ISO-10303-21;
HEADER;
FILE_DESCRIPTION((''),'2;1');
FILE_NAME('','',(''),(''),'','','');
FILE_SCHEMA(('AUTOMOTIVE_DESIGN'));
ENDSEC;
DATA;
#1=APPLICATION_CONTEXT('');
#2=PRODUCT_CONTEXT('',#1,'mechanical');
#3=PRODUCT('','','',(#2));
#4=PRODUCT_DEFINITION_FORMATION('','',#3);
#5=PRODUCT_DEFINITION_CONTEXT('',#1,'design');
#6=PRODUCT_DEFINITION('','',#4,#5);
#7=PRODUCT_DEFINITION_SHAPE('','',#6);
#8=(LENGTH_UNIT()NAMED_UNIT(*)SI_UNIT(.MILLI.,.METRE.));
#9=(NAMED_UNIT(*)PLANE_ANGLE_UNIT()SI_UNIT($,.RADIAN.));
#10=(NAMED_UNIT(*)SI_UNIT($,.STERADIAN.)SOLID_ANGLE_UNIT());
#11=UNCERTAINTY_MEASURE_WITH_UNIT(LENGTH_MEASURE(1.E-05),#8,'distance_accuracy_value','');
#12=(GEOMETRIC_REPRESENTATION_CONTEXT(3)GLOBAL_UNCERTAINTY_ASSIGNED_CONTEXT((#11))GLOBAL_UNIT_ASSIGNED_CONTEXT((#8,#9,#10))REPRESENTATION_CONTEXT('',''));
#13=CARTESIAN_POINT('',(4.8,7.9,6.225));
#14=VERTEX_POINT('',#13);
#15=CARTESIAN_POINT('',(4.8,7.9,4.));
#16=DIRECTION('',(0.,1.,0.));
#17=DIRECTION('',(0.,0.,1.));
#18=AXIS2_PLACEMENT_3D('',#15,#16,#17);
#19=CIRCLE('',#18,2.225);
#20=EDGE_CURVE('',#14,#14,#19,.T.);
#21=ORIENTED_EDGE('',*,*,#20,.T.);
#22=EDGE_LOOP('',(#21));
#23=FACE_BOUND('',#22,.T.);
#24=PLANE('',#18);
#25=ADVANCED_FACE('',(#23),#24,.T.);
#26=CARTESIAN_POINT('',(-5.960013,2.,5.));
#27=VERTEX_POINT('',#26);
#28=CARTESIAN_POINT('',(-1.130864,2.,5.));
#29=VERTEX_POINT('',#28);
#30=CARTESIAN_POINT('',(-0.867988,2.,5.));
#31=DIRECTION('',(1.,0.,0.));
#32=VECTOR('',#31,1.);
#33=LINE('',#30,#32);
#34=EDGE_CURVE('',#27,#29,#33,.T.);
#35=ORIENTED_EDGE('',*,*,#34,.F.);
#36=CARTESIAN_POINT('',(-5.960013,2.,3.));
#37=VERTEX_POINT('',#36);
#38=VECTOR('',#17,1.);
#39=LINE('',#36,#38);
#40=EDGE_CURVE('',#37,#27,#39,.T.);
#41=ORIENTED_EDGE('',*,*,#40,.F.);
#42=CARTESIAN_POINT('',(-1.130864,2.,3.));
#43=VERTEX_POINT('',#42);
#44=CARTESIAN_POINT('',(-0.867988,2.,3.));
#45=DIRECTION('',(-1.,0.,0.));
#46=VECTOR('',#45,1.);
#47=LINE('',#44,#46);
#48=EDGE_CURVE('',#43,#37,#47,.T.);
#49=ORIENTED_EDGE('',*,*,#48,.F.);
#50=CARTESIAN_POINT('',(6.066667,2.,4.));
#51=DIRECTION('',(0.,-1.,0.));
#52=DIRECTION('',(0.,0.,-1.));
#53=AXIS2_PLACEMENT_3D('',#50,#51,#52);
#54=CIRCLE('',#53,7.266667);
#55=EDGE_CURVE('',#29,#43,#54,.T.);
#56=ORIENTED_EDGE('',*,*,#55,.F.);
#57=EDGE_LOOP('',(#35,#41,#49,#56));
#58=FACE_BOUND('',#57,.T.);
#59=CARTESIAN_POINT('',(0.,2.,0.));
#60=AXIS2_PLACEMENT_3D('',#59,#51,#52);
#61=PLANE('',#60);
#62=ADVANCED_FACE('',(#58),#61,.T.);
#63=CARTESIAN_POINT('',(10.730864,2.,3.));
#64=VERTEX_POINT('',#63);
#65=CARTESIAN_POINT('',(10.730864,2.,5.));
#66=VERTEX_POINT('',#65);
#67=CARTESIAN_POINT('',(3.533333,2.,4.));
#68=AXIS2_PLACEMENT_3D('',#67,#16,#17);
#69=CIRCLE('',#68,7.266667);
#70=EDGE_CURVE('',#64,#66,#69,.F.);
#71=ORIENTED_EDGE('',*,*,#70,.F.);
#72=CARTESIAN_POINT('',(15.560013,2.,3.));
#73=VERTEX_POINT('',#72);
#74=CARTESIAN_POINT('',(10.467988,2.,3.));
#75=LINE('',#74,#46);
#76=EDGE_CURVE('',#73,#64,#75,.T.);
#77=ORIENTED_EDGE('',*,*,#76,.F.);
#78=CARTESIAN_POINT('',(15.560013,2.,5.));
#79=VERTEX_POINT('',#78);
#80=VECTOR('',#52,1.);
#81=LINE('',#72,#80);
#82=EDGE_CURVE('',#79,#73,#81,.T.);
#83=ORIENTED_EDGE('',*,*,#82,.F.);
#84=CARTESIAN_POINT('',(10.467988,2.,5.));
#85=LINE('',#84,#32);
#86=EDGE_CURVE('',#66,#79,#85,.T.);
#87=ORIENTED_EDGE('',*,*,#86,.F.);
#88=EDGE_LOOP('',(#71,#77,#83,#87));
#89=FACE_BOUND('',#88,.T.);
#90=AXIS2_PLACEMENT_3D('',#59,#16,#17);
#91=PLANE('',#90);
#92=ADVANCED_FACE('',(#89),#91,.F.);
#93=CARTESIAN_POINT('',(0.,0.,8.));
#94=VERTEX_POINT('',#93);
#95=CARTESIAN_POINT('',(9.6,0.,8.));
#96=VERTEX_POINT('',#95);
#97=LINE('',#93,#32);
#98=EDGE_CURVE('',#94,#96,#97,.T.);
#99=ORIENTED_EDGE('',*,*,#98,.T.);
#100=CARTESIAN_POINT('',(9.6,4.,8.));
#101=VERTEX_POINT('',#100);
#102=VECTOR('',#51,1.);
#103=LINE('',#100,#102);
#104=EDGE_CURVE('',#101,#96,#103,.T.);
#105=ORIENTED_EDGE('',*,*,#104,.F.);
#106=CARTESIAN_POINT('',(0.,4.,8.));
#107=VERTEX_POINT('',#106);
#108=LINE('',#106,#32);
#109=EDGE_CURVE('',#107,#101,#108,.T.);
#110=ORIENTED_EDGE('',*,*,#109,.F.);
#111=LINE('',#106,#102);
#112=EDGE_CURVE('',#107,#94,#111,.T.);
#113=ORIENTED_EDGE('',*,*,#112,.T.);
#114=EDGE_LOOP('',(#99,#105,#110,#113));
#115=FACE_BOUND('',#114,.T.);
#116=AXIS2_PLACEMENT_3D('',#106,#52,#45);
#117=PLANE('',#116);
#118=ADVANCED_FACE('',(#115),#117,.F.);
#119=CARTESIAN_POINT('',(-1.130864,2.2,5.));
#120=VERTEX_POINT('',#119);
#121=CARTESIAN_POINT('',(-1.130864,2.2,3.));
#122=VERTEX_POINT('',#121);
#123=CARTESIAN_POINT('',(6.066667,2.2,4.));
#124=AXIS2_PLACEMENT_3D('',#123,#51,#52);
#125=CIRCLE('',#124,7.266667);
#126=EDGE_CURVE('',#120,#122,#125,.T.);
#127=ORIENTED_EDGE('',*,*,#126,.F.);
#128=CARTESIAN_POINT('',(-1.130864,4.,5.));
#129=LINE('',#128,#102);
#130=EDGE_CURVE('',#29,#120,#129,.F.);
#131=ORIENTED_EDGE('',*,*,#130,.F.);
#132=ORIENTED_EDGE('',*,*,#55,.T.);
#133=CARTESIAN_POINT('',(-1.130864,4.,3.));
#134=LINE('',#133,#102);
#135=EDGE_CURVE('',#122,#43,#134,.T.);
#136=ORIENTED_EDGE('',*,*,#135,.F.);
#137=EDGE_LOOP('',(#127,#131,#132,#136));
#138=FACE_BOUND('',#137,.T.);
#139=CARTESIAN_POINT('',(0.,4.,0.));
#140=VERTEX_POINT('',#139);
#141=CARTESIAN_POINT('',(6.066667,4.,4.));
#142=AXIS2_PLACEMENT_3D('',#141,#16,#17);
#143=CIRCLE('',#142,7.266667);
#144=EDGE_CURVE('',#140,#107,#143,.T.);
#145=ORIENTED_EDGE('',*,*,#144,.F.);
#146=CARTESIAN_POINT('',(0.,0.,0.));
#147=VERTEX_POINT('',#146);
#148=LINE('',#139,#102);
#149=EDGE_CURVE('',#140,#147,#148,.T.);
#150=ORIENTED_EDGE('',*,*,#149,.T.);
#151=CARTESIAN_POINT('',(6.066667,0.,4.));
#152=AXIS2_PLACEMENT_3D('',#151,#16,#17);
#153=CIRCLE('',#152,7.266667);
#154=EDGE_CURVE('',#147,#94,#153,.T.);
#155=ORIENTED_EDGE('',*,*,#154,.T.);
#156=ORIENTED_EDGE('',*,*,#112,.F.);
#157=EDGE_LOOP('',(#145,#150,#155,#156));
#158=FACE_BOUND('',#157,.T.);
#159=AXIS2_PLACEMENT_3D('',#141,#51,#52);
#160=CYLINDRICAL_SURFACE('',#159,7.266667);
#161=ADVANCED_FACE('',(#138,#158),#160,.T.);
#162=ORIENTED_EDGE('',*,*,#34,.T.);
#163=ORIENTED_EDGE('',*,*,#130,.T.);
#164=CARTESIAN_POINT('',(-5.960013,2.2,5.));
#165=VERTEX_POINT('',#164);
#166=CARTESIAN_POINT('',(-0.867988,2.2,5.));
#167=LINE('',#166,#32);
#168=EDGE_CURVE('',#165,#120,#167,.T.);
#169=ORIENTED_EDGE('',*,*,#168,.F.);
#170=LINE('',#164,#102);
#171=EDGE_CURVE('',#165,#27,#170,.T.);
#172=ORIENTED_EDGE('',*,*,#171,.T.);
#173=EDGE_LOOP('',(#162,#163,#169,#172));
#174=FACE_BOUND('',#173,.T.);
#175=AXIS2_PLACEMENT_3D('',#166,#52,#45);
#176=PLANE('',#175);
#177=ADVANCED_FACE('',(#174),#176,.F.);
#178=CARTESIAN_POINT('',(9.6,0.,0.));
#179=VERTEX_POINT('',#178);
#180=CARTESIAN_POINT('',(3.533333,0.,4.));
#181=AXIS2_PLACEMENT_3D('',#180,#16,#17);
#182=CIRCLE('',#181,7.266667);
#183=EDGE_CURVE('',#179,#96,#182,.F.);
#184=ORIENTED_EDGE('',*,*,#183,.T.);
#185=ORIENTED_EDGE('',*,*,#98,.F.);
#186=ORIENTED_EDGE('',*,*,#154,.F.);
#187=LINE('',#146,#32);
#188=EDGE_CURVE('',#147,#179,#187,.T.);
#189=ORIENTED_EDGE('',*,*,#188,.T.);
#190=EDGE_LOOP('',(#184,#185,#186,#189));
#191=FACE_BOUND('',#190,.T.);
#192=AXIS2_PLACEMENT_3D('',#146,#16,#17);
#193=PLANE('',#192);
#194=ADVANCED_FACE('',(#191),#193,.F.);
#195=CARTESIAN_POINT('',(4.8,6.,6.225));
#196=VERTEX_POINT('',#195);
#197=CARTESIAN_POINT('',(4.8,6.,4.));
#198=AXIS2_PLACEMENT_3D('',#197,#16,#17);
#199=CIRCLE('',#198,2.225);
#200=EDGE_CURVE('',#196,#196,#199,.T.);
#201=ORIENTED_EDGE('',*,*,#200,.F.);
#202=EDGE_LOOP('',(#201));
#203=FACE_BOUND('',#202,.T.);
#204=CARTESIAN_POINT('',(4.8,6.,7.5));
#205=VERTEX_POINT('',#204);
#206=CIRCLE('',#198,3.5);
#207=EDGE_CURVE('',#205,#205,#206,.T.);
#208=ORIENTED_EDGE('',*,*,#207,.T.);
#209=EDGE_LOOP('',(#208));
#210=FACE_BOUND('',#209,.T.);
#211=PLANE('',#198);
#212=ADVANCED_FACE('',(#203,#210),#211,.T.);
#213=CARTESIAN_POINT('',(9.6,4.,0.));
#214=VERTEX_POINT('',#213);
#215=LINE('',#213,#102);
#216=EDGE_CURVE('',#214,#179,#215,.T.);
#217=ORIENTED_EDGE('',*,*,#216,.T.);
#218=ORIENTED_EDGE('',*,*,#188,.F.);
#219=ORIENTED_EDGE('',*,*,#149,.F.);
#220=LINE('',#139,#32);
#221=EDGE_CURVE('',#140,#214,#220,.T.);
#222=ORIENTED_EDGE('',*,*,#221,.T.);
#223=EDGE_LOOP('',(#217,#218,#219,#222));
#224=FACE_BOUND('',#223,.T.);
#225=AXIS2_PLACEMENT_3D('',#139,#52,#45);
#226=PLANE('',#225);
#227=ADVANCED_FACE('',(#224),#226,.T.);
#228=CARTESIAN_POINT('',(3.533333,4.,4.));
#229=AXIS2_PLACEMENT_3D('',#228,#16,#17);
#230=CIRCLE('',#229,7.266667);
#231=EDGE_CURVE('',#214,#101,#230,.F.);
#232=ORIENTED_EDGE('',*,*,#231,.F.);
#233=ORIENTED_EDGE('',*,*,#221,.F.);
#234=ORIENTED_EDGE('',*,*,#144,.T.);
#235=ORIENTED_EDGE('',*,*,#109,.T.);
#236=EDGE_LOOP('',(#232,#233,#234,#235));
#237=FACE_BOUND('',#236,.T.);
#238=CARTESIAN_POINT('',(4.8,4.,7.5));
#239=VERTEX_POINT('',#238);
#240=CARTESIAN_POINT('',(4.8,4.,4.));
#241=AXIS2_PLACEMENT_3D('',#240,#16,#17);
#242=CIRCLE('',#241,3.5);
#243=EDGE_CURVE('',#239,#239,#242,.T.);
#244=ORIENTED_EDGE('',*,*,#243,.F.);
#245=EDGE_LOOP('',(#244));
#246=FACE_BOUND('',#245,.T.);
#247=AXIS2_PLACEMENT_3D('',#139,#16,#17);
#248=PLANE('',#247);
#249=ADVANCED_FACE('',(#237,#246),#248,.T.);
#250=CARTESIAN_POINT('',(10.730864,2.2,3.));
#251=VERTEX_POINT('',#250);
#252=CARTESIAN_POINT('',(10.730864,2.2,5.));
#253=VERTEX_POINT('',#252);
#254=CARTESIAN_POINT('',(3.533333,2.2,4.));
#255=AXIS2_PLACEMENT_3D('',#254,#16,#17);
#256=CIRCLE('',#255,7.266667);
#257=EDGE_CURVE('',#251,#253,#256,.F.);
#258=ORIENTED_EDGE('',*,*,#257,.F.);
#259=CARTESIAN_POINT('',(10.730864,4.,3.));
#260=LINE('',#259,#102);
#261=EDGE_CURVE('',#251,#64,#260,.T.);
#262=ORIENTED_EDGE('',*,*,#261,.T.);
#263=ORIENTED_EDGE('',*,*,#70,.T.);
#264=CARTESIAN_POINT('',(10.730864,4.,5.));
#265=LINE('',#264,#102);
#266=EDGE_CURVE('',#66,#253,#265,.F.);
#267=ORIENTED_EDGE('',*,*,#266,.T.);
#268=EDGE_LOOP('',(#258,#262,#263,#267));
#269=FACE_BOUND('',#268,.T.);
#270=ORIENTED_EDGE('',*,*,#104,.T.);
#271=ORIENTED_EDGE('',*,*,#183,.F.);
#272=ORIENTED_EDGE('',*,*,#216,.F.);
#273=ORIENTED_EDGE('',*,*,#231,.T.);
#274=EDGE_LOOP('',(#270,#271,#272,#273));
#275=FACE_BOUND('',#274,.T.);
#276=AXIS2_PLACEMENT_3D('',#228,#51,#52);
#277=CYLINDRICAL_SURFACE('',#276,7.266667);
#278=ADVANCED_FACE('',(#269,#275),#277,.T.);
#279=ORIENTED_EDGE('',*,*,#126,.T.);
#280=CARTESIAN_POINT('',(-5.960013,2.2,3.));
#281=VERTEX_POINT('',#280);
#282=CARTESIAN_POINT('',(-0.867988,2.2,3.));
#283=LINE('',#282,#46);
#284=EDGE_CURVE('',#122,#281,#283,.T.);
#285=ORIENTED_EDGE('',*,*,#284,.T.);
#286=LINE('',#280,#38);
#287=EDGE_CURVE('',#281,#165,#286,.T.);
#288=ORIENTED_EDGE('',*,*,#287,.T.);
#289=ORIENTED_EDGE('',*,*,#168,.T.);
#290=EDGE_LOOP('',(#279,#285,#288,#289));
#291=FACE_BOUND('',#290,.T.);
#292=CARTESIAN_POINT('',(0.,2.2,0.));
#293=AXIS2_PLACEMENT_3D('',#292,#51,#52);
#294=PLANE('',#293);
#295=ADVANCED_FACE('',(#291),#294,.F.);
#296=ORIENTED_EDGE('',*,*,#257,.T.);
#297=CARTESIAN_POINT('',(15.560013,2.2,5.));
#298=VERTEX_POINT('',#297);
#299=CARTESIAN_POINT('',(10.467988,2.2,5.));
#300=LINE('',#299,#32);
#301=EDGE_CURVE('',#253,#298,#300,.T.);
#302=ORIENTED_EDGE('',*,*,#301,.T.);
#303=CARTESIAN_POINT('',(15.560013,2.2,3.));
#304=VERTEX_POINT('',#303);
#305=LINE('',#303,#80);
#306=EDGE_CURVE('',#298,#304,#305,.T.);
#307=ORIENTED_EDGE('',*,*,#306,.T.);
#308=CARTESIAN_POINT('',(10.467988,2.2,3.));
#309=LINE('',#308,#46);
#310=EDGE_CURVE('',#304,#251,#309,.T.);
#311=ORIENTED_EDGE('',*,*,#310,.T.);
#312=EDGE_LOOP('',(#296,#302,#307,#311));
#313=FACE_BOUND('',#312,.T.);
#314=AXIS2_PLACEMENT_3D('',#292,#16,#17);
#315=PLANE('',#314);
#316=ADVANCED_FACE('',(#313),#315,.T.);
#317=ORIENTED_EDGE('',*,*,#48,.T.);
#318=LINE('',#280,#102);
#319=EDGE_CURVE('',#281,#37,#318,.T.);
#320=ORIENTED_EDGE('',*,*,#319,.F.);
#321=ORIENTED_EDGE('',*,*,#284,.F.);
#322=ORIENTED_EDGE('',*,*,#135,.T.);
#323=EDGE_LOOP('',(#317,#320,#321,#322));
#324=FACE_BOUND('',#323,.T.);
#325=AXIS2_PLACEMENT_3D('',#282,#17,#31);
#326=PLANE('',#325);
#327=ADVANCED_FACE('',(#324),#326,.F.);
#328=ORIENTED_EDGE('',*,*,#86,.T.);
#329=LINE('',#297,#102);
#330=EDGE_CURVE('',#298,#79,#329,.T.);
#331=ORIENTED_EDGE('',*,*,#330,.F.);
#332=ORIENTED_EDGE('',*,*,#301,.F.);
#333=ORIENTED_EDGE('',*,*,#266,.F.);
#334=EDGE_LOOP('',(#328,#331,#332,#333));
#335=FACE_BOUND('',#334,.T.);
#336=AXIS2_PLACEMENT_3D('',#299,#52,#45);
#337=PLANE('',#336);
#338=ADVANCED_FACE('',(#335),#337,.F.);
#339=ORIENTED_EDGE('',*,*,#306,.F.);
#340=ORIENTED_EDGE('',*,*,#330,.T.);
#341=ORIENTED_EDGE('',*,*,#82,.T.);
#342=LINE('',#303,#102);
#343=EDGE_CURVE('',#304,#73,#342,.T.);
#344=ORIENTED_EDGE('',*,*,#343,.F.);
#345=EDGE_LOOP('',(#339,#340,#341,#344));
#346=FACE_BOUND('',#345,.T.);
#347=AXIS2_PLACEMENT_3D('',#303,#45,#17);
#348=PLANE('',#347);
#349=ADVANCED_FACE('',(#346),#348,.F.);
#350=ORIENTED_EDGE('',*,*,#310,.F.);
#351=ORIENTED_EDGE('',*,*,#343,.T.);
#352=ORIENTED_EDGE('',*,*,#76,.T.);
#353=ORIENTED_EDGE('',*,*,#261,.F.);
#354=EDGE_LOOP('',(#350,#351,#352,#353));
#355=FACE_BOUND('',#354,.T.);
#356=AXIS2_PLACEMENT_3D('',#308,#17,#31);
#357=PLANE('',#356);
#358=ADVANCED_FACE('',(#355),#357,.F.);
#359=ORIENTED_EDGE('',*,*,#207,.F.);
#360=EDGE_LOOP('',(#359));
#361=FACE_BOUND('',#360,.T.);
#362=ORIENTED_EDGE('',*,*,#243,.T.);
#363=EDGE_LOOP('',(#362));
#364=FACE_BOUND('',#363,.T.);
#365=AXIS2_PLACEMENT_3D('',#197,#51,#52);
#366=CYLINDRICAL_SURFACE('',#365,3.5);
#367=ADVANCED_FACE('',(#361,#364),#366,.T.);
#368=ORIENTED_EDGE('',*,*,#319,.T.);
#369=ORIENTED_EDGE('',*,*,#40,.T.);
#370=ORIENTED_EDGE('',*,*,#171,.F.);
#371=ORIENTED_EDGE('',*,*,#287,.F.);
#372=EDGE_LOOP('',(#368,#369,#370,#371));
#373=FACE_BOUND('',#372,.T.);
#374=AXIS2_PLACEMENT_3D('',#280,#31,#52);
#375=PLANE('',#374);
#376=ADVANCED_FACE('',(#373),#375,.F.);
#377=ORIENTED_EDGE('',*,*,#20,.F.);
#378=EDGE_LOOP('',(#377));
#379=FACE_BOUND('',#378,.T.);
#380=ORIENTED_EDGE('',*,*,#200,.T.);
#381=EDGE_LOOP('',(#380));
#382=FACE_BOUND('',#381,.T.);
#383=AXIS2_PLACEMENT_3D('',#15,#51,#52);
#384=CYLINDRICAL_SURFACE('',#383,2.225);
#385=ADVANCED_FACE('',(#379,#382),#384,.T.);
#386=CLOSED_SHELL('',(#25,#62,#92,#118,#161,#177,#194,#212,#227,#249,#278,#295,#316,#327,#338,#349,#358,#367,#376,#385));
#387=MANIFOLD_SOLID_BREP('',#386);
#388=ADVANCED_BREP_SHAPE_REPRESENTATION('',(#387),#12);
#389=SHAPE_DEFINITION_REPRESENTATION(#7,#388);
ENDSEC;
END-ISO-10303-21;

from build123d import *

# Parameters (mm, degrees)
SKETCH1_W           = 9.6
SKETCH1_H           = 8
BOSS_EXTRUDE1_DEPTH = 4
SKETCH2_R           = 3.5
BOSS_EXTRUDE2_DEPTH = 2
SKETCH3_R           = 2.225
BOSS_EXTRUDE3_DEPTH = 1.9
BOSS_EXTRUDE4_START = -2
SKETCH4_W           = 5.092025843
SKETCH4_H           = 2
BOSS_EXTRUDE4_DEPTH = 0.2


with BuildPart() as part:
    # Sketch1 → Boss-Extrude1 (new body)
    with BuildSketch(Plane(origin=(0, 0, 0), x_dir=(1, 0, 0), z_dir=(0, 1, 0))):
        with Locations((4.8, -4)):
            Rectangle(SKETCH1_W, SKETCH1_H)
        with BuildLine():
            Line((0, 0), (0, -8))
            ThreePointArc((0, -8), (-1.2, -4), (0, 0))
        make_face()
        with BuildLine():
            ThreePointArc((9.6, 0), (10.8, -4), (9.6, -8))
            Line((9.6, -8), (9.6, 0))
        make_face()
    extrude(amount=BOSS_EXTRUDE1_DEPTH)

    # Sketch2 → Boss-Extrude2 (add)
    with BuildSketch(Plane(origin=(0, 4, 0), x_dir=(1, 0, 0), z_dir=(0, 1, 0))):
        with Locations((4.8, -4)):
            Circle(SKETCH2_R)
    extrude(amount=BOSS_EXTRUDE2_DEPTH)

    # Sketch3 → Boss-Extrude3 (add)
    with BuildSketch(Plane(origin=(0, 6, 0), x_dir=(1, 0, 0), z_dir=(0, 1, 0))):
        with Locations((4.8, -4)):
            Circle(SKETCH3_R)
    extrude(amount=BOSS_EXTRUDE3_DEPTH)

    # Sketch4 → Boss-Extrude4 (add)
    with BuildSketch(Plane(origin=(0, 4, 0), x_dir=(1, 0, 0), z_dir=(0, 1, 0)).offset(BOSS_EXTRUDE4_START)):
        with Locations((-3.414000557, -4)):
            Rectangle(SKETCH4_W, SKETCH4_H)
        with Locations((13.014000557, -4)):
            Rectangle(SKETCH4_W, SKETCH4_H)
    extrude(amount=BOSS_EXTRUDE4_DEPTH)


solid = part.part
